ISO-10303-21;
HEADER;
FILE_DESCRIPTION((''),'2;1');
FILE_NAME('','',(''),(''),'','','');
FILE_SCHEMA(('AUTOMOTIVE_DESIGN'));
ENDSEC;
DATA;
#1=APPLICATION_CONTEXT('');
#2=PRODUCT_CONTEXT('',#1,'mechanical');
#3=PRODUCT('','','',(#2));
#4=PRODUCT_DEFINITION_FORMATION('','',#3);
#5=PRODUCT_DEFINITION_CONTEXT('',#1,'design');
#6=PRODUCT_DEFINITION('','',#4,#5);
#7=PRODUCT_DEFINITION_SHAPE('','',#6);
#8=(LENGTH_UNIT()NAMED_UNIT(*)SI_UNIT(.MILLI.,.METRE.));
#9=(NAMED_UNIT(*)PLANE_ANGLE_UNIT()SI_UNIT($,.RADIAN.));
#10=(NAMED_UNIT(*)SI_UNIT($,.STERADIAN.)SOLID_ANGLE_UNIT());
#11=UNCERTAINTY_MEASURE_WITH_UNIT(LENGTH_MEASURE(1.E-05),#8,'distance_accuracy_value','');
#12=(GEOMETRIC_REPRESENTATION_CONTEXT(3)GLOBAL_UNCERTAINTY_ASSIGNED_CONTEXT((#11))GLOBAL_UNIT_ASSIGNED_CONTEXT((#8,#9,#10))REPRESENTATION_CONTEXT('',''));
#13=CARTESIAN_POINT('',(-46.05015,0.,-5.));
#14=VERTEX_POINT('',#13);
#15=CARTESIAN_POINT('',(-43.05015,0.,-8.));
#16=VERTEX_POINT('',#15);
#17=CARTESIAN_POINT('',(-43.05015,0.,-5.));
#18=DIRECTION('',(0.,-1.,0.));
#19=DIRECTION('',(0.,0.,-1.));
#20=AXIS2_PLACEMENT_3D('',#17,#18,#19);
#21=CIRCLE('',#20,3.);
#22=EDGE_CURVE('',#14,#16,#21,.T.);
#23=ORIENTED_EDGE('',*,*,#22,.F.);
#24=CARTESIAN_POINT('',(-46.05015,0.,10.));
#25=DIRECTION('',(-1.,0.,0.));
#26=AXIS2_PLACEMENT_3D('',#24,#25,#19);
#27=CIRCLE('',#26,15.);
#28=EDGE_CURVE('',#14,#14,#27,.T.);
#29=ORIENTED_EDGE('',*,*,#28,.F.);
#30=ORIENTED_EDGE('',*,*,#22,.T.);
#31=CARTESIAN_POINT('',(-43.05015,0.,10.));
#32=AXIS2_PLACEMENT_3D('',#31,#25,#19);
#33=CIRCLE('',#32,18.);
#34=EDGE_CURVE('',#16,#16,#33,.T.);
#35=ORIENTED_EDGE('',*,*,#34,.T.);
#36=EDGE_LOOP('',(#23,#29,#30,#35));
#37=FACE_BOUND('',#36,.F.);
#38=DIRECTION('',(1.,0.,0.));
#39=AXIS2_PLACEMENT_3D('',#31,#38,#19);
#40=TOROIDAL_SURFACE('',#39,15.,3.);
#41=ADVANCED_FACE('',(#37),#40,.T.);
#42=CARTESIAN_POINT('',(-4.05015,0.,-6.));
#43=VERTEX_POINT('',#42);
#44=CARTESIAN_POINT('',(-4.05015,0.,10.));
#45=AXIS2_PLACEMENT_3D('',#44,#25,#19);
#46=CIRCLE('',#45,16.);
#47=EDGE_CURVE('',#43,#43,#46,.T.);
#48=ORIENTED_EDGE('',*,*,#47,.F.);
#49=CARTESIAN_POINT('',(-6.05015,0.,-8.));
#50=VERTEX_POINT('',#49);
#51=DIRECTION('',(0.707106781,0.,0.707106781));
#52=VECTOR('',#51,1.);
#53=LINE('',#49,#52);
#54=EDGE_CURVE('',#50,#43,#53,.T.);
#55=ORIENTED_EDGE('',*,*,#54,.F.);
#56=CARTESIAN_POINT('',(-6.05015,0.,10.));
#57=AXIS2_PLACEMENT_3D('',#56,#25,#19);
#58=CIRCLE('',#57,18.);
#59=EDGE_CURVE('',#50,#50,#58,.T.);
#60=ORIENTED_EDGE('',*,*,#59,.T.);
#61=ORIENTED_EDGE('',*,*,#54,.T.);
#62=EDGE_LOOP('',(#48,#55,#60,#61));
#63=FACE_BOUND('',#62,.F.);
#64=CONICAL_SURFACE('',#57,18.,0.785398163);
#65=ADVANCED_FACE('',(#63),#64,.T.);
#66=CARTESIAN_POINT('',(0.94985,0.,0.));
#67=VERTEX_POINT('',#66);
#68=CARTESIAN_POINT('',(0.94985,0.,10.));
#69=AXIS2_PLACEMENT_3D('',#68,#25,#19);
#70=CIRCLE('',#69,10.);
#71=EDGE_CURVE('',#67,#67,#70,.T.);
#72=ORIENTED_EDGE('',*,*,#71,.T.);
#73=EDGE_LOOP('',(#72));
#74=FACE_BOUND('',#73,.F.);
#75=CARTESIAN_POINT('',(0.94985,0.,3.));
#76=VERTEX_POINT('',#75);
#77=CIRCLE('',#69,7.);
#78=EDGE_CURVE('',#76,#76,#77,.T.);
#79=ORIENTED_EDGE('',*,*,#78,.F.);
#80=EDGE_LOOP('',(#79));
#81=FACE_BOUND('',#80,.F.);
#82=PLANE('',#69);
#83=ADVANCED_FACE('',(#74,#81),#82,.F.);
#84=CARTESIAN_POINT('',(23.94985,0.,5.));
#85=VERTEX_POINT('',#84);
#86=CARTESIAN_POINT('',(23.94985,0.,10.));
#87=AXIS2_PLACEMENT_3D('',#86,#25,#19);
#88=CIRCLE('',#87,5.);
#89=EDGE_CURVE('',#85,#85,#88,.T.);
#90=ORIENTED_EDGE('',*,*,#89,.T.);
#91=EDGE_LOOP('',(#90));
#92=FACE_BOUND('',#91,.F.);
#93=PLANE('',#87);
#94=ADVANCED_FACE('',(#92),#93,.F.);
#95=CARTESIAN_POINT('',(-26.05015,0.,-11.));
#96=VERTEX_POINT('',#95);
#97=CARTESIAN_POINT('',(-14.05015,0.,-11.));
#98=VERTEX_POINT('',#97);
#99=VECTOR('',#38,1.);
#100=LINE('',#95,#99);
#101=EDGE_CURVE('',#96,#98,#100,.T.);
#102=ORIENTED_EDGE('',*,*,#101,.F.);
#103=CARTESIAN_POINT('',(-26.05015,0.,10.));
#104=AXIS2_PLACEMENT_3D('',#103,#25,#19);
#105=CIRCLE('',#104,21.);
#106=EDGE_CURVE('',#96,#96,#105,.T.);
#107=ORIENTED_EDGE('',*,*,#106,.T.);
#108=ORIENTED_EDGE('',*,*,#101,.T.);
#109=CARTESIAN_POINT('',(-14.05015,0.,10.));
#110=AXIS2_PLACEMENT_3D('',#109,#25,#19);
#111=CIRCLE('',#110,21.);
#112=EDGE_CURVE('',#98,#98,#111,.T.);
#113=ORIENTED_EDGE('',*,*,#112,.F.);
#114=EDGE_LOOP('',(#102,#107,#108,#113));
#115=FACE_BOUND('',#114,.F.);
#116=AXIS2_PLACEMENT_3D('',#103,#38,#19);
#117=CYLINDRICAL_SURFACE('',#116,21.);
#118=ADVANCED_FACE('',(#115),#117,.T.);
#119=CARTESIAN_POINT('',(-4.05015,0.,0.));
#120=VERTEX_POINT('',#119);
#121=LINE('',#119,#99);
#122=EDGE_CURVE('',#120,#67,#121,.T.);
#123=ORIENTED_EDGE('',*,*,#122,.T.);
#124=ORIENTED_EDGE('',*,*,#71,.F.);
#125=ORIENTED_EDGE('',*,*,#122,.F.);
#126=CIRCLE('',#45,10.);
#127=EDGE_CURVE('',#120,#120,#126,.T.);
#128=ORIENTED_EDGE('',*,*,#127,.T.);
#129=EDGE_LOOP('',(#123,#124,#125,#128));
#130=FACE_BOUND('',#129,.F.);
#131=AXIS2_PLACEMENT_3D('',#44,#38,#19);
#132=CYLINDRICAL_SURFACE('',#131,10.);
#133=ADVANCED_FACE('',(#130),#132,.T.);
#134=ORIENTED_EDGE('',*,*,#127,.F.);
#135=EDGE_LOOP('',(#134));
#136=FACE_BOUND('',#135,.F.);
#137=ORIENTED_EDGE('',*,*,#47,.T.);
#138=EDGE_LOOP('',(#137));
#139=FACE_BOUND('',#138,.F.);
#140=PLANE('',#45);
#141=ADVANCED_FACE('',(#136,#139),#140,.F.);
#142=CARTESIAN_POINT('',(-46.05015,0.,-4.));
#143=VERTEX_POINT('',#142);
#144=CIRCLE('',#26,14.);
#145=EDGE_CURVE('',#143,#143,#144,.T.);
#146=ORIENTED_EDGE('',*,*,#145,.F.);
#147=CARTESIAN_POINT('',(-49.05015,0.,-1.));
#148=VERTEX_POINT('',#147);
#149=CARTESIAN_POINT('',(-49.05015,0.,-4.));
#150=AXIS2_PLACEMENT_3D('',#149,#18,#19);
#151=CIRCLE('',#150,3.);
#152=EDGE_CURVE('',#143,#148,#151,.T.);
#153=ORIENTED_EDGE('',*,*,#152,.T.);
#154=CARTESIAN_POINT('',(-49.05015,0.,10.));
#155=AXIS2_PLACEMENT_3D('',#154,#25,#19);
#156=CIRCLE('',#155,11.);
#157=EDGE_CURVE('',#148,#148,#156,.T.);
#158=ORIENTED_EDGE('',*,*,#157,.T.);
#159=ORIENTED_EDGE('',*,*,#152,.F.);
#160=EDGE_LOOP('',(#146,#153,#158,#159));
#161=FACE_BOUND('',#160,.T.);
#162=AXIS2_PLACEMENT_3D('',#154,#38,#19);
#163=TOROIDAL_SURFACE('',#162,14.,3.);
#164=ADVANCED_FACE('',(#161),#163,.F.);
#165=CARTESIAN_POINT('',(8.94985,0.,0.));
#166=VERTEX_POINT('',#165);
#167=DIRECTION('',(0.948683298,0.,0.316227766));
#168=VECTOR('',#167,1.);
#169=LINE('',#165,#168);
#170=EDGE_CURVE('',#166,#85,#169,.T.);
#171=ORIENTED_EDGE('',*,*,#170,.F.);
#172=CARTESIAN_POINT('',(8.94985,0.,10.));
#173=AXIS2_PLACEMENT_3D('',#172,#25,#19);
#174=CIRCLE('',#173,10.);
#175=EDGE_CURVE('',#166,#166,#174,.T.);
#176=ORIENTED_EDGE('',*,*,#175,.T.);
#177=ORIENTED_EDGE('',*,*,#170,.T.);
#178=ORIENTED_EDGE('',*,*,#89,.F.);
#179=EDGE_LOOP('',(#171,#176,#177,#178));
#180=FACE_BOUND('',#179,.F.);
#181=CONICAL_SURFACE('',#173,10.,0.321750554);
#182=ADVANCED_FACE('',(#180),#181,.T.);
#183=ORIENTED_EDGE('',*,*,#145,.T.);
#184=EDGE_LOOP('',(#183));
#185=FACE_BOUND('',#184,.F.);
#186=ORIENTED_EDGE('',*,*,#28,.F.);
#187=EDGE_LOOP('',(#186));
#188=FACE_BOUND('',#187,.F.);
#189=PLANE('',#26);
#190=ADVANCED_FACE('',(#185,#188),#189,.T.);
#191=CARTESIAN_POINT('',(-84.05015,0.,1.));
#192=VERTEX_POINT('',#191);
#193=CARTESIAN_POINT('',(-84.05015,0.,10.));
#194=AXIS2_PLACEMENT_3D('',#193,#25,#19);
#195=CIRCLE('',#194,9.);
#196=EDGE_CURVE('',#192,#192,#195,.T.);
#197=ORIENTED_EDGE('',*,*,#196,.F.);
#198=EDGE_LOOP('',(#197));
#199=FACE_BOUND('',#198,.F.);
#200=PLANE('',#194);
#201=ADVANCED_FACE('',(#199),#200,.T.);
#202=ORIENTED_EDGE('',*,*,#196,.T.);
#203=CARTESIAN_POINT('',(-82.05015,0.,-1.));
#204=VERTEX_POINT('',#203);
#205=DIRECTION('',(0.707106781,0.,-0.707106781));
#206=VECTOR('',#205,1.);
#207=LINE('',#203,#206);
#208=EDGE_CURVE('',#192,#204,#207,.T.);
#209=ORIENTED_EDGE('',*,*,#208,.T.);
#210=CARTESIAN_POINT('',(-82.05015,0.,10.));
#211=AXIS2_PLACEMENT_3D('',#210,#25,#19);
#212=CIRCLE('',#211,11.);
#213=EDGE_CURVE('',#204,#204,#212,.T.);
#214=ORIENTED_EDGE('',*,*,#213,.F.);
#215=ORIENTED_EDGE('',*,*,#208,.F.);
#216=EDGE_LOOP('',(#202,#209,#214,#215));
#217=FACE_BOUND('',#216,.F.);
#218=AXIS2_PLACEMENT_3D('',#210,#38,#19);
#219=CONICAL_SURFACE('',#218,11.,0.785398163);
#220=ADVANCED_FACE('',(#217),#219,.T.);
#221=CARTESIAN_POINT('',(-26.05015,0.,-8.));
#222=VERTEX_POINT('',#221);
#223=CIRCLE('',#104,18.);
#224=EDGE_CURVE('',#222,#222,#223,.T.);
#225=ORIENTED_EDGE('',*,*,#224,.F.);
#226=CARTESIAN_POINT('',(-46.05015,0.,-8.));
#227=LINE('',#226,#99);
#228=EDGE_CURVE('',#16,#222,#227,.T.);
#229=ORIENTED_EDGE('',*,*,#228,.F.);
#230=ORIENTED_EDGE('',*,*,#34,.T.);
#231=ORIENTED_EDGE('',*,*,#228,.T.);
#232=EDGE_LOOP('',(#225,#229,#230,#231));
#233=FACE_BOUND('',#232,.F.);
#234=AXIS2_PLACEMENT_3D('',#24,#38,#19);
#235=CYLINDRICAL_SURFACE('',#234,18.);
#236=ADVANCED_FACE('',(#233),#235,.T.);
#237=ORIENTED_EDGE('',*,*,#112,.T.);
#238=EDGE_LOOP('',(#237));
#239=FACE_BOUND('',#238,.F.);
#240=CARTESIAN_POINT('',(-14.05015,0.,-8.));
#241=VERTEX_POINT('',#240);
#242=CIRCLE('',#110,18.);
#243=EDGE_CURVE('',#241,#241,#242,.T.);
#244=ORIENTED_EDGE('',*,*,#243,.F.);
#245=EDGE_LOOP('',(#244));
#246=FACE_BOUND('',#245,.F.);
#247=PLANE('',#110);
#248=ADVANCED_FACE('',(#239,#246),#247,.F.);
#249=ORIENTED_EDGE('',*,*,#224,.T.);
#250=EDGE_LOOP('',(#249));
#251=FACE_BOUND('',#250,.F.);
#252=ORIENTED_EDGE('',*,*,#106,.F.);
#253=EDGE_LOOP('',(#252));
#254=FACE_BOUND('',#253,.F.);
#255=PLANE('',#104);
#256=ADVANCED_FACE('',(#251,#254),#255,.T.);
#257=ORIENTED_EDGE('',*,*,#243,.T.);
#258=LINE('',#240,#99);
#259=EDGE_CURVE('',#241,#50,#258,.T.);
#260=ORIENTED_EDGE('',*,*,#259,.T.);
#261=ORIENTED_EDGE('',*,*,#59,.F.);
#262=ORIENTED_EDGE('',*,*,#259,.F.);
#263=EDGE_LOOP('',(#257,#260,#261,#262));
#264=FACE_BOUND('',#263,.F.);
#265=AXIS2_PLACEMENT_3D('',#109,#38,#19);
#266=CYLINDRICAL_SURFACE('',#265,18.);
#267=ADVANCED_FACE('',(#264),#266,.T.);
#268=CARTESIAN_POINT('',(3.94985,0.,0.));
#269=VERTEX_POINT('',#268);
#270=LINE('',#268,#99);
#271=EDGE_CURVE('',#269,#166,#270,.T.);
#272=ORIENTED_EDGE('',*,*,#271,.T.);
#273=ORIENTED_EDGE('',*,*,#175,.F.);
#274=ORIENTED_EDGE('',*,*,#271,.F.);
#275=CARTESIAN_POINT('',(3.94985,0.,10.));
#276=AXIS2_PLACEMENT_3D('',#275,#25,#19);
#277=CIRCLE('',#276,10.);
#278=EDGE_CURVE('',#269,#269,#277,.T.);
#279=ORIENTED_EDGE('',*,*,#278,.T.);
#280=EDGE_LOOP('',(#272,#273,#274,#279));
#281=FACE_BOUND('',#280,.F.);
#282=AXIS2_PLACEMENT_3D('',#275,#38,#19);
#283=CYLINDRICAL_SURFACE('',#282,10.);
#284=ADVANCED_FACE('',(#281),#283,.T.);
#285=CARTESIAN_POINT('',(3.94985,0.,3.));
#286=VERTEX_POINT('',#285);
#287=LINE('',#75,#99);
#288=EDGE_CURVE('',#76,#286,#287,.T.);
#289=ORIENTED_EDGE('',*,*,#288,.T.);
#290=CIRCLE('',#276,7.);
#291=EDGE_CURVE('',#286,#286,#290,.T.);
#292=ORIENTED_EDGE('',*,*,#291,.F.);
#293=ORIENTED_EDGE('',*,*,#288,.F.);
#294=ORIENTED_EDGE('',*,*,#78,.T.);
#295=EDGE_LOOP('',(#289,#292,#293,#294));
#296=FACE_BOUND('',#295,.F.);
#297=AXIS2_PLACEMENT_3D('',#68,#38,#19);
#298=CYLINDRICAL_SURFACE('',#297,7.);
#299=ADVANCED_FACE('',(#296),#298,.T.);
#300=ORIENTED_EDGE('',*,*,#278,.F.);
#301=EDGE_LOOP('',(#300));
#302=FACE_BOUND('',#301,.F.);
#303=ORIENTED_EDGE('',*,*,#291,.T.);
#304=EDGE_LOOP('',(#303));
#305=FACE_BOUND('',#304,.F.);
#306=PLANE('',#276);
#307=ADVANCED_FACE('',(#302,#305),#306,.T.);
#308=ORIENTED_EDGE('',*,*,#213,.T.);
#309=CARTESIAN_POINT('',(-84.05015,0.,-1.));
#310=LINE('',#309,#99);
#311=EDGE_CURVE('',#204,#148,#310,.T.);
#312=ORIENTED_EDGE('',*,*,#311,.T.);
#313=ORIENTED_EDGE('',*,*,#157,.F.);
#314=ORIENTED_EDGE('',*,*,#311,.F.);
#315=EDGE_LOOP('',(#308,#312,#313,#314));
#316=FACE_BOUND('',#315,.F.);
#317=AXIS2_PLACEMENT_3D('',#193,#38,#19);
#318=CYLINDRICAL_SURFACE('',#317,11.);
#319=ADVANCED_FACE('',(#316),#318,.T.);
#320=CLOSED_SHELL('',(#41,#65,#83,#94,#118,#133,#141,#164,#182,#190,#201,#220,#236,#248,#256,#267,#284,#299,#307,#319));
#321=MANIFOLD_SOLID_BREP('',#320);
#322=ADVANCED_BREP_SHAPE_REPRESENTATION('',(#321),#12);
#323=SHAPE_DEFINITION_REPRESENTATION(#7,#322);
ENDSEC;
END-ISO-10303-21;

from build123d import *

# Parameters (mm, degrees)
F2_SIZE = 2
F3_R    = 3
F4_R    = 3


with BuildPart() as f1:
    # F0 (on Front) → F1 (revolve)
    with BuildSketch(Plane.XZ):
        Polygon((23.9498503727, 10), (-84.0501496273, 10), (-84.0501496273, -1), (-46.0501496273, -1), (-46.0501496273, -8), (-26.0501496273, -8), (-26.0501496273, -11), (-14.0501496273, -11), (-14.0501496273, -8), (-4.0501496273, -8), (-4.0501496273, 0), (0.9498503727, 0), (0.9498503727, 3), (3.9498503727, 3), (3.9498503727, 0), (8.9498503727, 0), (23.9498503727, 5), align=None)
    revolve(axis=Axis((-106.2277666089, 0, 10), (-1, 0, 0)))

    # F2
    f2_edges = [f1.edges().sort_by_distance(p)[0] for p in [
        (-84.05015, 0, 21),
        (-4.05015, 0, 28),
    ]]
    chamfer(f2_edges, length=F2_SIZE)

    # F3
    f3_edges = [f1.edges().sort_by_distance(p)[0] for p in [
        (-46.05015, 0, 28),
    ]]
    fillet(f3_edges, radius=F3_R)

    # F4
    f4_edges = [f1.edges().sort_by_distance(p)[0] for p in [
        (-46.05015, 0, 21),
    ]]
    fillet(f4_edges, radius=F4_R)


solid = f1.part
